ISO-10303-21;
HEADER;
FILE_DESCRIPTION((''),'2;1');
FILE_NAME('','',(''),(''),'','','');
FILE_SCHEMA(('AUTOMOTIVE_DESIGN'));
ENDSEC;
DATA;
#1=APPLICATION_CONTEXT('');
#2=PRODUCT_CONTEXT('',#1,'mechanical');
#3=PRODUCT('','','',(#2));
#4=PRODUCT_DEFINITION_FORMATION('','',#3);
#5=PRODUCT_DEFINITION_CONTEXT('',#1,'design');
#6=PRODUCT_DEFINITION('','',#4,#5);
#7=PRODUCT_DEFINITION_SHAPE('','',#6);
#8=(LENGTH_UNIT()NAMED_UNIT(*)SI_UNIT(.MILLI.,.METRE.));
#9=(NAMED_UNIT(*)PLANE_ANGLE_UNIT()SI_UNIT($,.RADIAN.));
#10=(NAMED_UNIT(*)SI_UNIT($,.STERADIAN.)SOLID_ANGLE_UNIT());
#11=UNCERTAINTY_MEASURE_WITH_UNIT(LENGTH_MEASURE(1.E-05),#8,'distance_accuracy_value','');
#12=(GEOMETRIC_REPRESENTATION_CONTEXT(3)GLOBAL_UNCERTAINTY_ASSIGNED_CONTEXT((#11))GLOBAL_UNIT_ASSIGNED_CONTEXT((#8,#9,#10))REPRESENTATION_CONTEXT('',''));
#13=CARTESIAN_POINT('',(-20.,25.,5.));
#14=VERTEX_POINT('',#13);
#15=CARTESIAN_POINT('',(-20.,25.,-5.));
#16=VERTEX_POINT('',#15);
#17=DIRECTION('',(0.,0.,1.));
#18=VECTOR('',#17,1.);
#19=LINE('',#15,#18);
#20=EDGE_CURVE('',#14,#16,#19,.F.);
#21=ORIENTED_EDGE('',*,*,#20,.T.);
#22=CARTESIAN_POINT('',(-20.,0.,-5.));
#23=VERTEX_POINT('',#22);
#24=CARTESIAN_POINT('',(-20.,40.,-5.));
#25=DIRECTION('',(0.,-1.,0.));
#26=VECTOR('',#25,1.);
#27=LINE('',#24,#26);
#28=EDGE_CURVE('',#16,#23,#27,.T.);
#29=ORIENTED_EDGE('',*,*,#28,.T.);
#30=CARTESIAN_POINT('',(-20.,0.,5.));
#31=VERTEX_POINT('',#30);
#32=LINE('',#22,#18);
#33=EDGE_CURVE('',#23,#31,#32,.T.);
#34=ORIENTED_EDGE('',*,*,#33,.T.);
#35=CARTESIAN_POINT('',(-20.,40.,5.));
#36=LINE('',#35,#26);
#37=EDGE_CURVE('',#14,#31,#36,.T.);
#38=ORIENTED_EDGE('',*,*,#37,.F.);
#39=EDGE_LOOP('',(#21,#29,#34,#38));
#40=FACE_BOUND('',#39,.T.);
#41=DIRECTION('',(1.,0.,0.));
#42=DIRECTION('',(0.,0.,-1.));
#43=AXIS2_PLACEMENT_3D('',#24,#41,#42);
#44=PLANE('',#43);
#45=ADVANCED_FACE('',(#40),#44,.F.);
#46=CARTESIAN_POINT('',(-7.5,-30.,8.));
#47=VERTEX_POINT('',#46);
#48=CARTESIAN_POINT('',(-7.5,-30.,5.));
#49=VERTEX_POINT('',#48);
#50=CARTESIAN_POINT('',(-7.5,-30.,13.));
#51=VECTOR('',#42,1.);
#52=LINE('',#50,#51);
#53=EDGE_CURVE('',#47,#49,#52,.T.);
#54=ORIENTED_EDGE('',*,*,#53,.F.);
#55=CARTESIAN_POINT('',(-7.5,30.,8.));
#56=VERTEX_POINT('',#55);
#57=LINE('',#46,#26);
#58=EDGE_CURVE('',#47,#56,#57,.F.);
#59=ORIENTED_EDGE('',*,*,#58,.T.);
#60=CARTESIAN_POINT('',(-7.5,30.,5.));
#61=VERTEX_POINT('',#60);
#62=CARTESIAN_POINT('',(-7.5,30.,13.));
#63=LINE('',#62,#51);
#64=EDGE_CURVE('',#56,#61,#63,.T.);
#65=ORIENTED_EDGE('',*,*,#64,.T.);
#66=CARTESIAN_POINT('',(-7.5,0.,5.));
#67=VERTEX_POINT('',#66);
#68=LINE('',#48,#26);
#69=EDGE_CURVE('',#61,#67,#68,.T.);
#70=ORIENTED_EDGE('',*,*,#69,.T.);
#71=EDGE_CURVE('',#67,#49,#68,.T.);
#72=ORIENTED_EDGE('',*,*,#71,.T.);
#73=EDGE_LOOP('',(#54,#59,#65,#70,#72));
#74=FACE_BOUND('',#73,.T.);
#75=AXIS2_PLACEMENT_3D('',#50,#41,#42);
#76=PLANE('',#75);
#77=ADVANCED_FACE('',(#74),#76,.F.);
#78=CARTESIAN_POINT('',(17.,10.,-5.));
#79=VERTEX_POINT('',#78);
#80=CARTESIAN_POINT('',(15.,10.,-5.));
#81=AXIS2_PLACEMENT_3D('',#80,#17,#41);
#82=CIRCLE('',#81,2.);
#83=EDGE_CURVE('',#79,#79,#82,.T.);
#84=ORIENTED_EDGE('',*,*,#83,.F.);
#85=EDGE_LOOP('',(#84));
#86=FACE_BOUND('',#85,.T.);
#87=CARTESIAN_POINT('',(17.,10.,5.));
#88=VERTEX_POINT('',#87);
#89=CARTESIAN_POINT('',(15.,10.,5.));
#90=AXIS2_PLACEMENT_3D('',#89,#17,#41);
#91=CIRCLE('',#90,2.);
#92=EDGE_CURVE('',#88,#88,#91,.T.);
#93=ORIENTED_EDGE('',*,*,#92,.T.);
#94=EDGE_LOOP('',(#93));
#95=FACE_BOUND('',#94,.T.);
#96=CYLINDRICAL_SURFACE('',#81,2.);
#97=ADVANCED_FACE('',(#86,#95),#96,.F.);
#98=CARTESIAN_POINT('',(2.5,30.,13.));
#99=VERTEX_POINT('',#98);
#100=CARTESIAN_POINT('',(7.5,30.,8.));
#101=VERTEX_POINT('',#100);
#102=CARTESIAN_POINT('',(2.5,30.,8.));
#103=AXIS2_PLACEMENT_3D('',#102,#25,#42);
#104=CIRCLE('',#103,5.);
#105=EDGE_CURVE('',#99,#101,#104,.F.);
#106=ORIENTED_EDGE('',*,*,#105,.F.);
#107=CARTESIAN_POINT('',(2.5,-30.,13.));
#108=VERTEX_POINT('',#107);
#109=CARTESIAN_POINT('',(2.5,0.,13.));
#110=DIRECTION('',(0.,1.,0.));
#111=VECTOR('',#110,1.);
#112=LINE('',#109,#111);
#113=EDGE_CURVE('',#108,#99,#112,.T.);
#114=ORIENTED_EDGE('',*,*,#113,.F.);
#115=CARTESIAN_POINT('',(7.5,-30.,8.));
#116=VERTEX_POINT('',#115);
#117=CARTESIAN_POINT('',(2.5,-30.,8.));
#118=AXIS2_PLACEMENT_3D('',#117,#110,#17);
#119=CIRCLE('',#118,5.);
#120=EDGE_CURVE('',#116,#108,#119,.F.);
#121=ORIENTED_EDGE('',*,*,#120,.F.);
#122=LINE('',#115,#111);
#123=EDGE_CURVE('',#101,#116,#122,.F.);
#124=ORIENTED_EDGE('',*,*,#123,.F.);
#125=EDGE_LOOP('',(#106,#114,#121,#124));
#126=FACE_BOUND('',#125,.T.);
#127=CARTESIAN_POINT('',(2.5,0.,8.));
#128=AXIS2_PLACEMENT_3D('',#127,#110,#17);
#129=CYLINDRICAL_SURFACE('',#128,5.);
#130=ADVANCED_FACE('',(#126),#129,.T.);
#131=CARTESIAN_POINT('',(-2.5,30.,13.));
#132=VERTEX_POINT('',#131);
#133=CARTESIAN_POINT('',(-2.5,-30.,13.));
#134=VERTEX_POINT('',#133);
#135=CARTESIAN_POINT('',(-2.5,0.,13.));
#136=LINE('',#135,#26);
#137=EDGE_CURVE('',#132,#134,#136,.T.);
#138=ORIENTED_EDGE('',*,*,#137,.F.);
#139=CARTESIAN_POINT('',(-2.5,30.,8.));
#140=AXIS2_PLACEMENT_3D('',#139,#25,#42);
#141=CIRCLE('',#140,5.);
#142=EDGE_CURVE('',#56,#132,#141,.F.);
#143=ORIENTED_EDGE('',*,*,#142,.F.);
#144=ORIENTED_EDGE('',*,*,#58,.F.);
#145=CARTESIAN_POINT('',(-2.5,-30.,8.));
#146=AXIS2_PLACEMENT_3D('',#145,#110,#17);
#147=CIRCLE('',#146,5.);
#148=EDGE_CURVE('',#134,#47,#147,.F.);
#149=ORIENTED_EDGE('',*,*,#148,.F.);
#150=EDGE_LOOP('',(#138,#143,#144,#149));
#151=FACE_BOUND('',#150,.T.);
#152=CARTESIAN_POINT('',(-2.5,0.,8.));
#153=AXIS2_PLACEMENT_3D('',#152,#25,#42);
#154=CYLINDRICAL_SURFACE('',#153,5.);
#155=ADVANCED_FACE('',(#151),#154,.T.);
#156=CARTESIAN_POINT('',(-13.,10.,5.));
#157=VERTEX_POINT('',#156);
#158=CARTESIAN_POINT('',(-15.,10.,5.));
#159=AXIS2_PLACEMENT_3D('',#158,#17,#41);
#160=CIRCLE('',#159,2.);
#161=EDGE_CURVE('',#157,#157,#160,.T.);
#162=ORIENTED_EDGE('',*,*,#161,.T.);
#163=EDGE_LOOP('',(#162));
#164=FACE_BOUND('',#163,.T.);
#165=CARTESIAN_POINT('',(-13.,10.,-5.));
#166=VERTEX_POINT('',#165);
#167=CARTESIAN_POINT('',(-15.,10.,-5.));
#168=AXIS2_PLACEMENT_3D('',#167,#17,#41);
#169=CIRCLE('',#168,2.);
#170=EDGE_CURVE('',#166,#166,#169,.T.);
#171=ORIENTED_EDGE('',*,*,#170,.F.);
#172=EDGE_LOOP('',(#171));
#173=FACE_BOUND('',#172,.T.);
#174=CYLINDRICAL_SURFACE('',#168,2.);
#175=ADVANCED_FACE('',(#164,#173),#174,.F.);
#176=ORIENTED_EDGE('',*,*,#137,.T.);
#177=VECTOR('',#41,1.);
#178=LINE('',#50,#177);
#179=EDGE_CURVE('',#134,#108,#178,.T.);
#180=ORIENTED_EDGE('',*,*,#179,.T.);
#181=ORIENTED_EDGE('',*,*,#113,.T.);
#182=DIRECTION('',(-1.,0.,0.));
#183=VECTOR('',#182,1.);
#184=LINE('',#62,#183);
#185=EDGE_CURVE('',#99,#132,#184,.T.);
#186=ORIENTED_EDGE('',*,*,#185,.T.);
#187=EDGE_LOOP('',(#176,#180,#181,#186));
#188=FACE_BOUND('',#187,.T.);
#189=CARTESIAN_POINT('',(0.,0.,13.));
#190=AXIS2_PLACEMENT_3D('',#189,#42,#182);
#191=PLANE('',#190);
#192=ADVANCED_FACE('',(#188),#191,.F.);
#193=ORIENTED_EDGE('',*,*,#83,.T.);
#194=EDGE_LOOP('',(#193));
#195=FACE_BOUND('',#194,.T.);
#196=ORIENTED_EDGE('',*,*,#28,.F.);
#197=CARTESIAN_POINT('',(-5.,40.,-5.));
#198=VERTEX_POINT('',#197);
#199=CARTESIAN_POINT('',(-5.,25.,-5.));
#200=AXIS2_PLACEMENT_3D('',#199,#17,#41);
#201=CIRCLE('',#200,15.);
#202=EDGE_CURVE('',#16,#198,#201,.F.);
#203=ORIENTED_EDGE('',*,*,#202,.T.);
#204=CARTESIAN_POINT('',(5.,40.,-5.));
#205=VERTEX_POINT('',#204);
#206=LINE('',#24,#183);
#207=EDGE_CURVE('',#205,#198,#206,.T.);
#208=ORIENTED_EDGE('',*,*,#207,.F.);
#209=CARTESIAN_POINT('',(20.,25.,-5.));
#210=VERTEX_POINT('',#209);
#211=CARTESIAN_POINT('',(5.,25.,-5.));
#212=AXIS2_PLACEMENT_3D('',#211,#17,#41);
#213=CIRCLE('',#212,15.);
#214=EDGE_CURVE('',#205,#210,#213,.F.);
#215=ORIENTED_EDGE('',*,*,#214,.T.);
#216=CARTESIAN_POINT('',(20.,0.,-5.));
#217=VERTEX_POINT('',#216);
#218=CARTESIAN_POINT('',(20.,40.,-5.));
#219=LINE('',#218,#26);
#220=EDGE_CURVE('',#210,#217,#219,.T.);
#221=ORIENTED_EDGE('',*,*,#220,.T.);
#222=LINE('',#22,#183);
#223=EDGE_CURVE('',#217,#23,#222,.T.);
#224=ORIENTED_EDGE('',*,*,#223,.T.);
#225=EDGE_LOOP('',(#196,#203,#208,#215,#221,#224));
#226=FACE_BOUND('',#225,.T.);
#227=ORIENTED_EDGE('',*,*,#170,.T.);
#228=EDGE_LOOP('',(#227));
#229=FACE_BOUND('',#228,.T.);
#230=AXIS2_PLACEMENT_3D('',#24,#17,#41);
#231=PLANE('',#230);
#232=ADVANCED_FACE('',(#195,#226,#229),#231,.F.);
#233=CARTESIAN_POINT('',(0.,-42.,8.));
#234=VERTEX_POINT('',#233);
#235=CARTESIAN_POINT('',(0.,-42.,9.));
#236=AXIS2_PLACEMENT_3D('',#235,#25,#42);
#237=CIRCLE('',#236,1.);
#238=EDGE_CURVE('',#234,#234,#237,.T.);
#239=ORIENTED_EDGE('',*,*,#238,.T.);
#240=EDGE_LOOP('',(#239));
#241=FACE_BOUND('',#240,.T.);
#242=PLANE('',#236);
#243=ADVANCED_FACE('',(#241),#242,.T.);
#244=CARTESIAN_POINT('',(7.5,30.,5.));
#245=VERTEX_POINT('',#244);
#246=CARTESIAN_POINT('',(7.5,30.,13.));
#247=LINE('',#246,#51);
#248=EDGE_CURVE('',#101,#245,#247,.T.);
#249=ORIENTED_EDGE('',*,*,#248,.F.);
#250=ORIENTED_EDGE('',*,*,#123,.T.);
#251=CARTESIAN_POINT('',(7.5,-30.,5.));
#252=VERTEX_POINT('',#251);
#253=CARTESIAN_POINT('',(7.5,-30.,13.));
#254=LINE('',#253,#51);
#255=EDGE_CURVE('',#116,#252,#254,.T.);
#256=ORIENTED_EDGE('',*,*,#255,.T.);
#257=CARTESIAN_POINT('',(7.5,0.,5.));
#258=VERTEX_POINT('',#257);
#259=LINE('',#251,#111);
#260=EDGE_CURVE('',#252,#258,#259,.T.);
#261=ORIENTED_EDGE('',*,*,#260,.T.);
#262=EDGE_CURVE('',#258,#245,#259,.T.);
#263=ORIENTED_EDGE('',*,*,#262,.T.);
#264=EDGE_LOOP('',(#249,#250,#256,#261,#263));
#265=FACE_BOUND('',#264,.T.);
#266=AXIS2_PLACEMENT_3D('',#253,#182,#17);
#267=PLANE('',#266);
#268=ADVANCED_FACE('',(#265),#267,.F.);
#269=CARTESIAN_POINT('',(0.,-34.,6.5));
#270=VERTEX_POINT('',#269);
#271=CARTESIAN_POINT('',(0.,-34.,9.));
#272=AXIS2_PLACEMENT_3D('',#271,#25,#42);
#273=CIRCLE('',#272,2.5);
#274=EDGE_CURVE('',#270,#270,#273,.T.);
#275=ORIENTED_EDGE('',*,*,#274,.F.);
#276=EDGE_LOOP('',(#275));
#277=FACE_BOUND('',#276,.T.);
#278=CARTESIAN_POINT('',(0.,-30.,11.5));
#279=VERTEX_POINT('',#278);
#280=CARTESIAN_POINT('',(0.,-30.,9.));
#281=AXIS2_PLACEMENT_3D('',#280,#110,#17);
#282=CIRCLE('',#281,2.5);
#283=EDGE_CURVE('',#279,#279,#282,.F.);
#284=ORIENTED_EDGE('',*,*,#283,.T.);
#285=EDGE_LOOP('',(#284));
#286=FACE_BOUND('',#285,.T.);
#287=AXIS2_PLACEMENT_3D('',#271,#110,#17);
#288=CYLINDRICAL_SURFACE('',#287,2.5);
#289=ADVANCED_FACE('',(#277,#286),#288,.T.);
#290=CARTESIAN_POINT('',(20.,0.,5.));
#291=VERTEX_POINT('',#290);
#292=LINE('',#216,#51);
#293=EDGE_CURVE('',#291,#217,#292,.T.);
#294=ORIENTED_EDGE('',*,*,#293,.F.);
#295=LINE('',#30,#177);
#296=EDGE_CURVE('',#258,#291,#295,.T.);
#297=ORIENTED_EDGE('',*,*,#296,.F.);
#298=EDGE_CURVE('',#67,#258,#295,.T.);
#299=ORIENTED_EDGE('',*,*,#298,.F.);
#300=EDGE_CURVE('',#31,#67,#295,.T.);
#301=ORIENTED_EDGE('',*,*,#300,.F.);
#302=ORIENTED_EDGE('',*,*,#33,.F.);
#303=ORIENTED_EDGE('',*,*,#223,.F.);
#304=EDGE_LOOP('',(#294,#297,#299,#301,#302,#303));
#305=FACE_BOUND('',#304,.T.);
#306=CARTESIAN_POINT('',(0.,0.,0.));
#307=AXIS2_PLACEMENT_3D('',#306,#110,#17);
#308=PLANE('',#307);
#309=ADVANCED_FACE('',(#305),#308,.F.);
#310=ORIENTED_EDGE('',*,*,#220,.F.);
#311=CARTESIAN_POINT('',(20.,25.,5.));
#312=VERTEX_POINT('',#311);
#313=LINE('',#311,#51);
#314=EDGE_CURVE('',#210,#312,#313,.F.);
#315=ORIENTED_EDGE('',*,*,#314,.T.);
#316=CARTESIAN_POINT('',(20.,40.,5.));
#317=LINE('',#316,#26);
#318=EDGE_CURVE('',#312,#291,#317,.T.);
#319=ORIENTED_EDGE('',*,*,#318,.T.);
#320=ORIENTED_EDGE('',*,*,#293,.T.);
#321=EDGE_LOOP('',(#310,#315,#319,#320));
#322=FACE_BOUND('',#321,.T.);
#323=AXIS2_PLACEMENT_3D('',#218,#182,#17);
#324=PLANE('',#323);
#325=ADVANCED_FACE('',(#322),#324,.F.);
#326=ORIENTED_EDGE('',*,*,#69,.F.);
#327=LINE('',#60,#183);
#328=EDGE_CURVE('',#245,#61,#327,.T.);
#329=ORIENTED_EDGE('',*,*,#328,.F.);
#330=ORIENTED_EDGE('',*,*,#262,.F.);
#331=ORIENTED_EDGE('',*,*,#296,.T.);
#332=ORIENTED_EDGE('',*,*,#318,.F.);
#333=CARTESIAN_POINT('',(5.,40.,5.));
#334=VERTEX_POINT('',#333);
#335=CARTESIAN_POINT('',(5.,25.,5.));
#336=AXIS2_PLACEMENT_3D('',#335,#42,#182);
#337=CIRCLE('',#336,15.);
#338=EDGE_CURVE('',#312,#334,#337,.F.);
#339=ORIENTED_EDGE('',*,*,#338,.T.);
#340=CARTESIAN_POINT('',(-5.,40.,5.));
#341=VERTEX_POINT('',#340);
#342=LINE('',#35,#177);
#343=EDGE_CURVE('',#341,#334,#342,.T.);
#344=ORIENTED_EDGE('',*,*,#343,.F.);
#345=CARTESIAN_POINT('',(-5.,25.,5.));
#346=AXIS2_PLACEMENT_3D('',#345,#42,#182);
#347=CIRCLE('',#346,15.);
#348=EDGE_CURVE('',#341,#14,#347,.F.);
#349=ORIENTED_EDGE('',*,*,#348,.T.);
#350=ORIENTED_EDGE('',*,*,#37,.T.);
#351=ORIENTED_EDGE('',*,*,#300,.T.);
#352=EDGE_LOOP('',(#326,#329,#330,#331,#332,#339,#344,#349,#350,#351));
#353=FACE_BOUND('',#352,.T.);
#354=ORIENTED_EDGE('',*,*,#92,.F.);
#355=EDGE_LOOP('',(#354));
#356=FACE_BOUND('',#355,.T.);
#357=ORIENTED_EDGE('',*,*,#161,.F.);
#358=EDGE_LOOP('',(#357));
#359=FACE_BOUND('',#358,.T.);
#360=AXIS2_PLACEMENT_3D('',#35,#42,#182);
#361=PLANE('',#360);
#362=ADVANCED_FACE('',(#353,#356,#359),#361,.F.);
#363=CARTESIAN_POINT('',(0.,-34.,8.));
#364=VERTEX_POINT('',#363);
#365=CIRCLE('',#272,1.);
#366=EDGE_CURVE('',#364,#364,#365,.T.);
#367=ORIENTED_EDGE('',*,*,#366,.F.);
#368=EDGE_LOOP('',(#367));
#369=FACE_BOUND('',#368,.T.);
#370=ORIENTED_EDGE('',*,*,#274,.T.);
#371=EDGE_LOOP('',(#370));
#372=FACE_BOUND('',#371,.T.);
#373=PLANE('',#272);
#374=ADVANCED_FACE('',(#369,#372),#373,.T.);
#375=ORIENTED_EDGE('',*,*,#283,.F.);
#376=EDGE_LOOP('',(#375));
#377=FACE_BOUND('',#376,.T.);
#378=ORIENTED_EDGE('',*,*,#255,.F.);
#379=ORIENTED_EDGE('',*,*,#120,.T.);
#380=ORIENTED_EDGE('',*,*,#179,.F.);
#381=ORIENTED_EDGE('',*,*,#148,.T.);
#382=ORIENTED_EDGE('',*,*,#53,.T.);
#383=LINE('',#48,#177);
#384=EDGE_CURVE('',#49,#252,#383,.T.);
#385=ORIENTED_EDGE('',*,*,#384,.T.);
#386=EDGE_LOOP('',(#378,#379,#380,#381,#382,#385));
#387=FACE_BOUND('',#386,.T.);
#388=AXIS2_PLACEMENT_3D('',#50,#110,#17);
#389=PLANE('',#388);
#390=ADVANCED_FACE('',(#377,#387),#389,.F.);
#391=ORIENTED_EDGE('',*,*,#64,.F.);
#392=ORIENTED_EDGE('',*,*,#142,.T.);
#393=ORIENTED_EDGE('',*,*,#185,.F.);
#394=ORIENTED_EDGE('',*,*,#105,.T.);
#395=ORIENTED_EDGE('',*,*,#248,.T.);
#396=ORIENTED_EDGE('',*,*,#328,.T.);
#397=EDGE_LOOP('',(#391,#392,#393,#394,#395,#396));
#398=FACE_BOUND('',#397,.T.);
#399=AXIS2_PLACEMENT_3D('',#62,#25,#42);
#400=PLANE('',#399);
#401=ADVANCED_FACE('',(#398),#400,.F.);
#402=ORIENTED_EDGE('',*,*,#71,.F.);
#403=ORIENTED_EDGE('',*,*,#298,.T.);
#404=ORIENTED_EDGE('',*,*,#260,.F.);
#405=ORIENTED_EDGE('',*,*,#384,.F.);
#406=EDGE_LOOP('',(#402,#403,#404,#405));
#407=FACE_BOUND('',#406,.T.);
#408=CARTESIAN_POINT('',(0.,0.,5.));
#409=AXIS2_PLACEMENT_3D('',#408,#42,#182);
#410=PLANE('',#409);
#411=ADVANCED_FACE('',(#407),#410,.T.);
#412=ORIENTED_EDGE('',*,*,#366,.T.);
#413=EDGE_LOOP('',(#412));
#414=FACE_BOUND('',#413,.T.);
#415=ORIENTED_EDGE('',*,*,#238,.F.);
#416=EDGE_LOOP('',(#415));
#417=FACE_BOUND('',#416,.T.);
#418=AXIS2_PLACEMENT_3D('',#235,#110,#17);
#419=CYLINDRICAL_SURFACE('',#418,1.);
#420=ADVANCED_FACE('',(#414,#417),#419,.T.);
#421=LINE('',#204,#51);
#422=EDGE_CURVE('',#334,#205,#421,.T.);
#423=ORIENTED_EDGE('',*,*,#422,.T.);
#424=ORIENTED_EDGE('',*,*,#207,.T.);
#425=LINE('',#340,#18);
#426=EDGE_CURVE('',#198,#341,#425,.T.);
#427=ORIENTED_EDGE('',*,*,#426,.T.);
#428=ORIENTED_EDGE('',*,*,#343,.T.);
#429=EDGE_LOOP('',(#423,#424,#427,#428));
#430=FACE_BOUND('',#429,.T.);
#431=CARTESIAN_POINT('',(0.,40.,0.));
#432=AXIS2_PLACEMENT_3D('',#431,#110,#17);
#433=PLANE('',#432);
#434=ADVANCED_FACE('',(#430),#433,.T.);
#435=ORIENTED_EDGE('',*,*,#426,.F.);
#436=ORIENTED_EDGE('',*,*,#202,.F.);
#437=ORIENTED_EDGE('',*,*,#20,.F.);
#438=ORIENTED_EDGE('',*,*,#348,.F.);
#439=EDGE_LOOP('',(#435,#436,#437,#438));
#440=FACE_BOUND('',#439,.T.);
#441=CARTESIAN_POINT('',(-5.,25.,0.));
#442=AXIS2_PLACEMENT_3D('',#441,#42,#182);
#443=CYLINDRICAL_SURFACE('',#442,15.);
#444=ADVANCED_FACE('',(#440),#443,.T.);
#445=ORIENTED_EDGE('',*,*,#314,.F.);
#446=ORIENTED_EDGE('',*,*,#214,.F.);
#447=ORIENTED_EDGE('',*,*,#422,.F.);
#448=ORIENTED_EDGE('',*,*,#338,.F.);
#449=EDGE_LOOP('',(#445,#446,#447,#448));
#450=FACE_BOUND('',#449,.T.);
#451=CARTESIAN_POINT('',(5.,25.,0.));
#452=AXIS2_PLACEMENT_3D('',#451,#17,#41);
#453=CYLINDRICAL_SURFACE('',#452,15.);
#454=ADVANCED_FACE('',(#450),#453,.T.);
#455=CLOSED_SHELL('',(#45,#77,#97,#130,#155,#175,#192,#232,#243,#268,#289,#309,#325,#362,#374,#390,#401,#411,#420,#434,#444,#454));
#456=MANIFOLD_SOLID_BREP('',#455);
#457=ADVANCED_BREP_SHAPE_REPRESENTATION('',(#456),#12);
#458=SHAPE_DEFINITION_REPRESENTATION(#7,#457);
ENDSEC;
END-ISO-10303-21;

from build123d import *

# Parameters (mm, degrees)
SKETCH1_W           = 40
SKETCH1_H           = 10
BOSS_EXTRUDE1_DEPTH = 40
FILLET1_R           = 15
SKETCH3_R           = 2
CUT_EXTRUDE1_DEPTH  = 10
SKETCH7_W           = 15
SKETCH7_H           = 60
BOSS_EXTRUDE5_DEPTH = 8
SKETCH8_R           = 2.5
BOSS_EXTRUDE6_DEPTH = 4
SKETCH9_R           = 1
BOSS_EXTRUDE7_DEPTH = 8
FILLET3_R           = 5


with BuildPart() as part:
    # Sketch1 → Boss-Extrude1 (new body)
    with BuildSketch(Plane(origin=(0, 0, 0), x_dir=(1, 0, 0), z_dir=(0, 1, 0))):
        Rectangle(SKETCH1_W, SKETCH1_H)
    extrude(amount=BOSS_EXTRUDE1_DEPTH)

    # Fillet1
    fillet1_edges = [part.edges().sort_by_distance(p)[0] for p in [
        (-20, 40, 0),
        (20, 40, 0),
    ]]
    fillet(fillet1_edges, radius=FILLET1_R)

    # Sketch3 → Cut-Extrude1 (cut)
    with BuildSketch(Plane.XY.offset(5)):
        with Locations((15, 10)):
            Circle(SKETCH3_R)
        with Locations((-15, 10)):
            Circle(SKETCH3_R)
    extrude(amount=-CUT_EXTRUDE1_DEPTH, mode=Mode.SUBTRACT)

    # Sketch7 → Boss-Extrude5 (add)
    with BuildSketch(Plane.XY.offset(5)):
        Rectangle(SKETCH7_W, SKETCH7_H)
    extrude(amount=BOSS_EXTRUDE5_DEPTH)

    # Sketch8 → Boss-Extrude6 (add)
    with BuildSketch(Plane.XZ.offset(30)):
        with Locations((0, 9)):
            Circle(SKETCH8_R)
    extrude(amount=BOSS_EXTRUDE6_DEPTH)

    # Sketch9 → Boss-Extrude7 (add)
    with BuildSketch(Plane.XZ.offset(34)):
        with Locations((0, 9)):
            Circle(SKETCH9_R)
    extrude(amount=BOSS_EXTRUDE7_DEPTH)

    # Fillet3
    fillet3_edges = [part.edges().sort_by_distance(p)[0] for p in [
        (7.5, 0, 13),
        (-7.5, 0, 13),
    ]]
    fillet(fillet3_edges, radius=FILLET3_R)


solid = part.part
